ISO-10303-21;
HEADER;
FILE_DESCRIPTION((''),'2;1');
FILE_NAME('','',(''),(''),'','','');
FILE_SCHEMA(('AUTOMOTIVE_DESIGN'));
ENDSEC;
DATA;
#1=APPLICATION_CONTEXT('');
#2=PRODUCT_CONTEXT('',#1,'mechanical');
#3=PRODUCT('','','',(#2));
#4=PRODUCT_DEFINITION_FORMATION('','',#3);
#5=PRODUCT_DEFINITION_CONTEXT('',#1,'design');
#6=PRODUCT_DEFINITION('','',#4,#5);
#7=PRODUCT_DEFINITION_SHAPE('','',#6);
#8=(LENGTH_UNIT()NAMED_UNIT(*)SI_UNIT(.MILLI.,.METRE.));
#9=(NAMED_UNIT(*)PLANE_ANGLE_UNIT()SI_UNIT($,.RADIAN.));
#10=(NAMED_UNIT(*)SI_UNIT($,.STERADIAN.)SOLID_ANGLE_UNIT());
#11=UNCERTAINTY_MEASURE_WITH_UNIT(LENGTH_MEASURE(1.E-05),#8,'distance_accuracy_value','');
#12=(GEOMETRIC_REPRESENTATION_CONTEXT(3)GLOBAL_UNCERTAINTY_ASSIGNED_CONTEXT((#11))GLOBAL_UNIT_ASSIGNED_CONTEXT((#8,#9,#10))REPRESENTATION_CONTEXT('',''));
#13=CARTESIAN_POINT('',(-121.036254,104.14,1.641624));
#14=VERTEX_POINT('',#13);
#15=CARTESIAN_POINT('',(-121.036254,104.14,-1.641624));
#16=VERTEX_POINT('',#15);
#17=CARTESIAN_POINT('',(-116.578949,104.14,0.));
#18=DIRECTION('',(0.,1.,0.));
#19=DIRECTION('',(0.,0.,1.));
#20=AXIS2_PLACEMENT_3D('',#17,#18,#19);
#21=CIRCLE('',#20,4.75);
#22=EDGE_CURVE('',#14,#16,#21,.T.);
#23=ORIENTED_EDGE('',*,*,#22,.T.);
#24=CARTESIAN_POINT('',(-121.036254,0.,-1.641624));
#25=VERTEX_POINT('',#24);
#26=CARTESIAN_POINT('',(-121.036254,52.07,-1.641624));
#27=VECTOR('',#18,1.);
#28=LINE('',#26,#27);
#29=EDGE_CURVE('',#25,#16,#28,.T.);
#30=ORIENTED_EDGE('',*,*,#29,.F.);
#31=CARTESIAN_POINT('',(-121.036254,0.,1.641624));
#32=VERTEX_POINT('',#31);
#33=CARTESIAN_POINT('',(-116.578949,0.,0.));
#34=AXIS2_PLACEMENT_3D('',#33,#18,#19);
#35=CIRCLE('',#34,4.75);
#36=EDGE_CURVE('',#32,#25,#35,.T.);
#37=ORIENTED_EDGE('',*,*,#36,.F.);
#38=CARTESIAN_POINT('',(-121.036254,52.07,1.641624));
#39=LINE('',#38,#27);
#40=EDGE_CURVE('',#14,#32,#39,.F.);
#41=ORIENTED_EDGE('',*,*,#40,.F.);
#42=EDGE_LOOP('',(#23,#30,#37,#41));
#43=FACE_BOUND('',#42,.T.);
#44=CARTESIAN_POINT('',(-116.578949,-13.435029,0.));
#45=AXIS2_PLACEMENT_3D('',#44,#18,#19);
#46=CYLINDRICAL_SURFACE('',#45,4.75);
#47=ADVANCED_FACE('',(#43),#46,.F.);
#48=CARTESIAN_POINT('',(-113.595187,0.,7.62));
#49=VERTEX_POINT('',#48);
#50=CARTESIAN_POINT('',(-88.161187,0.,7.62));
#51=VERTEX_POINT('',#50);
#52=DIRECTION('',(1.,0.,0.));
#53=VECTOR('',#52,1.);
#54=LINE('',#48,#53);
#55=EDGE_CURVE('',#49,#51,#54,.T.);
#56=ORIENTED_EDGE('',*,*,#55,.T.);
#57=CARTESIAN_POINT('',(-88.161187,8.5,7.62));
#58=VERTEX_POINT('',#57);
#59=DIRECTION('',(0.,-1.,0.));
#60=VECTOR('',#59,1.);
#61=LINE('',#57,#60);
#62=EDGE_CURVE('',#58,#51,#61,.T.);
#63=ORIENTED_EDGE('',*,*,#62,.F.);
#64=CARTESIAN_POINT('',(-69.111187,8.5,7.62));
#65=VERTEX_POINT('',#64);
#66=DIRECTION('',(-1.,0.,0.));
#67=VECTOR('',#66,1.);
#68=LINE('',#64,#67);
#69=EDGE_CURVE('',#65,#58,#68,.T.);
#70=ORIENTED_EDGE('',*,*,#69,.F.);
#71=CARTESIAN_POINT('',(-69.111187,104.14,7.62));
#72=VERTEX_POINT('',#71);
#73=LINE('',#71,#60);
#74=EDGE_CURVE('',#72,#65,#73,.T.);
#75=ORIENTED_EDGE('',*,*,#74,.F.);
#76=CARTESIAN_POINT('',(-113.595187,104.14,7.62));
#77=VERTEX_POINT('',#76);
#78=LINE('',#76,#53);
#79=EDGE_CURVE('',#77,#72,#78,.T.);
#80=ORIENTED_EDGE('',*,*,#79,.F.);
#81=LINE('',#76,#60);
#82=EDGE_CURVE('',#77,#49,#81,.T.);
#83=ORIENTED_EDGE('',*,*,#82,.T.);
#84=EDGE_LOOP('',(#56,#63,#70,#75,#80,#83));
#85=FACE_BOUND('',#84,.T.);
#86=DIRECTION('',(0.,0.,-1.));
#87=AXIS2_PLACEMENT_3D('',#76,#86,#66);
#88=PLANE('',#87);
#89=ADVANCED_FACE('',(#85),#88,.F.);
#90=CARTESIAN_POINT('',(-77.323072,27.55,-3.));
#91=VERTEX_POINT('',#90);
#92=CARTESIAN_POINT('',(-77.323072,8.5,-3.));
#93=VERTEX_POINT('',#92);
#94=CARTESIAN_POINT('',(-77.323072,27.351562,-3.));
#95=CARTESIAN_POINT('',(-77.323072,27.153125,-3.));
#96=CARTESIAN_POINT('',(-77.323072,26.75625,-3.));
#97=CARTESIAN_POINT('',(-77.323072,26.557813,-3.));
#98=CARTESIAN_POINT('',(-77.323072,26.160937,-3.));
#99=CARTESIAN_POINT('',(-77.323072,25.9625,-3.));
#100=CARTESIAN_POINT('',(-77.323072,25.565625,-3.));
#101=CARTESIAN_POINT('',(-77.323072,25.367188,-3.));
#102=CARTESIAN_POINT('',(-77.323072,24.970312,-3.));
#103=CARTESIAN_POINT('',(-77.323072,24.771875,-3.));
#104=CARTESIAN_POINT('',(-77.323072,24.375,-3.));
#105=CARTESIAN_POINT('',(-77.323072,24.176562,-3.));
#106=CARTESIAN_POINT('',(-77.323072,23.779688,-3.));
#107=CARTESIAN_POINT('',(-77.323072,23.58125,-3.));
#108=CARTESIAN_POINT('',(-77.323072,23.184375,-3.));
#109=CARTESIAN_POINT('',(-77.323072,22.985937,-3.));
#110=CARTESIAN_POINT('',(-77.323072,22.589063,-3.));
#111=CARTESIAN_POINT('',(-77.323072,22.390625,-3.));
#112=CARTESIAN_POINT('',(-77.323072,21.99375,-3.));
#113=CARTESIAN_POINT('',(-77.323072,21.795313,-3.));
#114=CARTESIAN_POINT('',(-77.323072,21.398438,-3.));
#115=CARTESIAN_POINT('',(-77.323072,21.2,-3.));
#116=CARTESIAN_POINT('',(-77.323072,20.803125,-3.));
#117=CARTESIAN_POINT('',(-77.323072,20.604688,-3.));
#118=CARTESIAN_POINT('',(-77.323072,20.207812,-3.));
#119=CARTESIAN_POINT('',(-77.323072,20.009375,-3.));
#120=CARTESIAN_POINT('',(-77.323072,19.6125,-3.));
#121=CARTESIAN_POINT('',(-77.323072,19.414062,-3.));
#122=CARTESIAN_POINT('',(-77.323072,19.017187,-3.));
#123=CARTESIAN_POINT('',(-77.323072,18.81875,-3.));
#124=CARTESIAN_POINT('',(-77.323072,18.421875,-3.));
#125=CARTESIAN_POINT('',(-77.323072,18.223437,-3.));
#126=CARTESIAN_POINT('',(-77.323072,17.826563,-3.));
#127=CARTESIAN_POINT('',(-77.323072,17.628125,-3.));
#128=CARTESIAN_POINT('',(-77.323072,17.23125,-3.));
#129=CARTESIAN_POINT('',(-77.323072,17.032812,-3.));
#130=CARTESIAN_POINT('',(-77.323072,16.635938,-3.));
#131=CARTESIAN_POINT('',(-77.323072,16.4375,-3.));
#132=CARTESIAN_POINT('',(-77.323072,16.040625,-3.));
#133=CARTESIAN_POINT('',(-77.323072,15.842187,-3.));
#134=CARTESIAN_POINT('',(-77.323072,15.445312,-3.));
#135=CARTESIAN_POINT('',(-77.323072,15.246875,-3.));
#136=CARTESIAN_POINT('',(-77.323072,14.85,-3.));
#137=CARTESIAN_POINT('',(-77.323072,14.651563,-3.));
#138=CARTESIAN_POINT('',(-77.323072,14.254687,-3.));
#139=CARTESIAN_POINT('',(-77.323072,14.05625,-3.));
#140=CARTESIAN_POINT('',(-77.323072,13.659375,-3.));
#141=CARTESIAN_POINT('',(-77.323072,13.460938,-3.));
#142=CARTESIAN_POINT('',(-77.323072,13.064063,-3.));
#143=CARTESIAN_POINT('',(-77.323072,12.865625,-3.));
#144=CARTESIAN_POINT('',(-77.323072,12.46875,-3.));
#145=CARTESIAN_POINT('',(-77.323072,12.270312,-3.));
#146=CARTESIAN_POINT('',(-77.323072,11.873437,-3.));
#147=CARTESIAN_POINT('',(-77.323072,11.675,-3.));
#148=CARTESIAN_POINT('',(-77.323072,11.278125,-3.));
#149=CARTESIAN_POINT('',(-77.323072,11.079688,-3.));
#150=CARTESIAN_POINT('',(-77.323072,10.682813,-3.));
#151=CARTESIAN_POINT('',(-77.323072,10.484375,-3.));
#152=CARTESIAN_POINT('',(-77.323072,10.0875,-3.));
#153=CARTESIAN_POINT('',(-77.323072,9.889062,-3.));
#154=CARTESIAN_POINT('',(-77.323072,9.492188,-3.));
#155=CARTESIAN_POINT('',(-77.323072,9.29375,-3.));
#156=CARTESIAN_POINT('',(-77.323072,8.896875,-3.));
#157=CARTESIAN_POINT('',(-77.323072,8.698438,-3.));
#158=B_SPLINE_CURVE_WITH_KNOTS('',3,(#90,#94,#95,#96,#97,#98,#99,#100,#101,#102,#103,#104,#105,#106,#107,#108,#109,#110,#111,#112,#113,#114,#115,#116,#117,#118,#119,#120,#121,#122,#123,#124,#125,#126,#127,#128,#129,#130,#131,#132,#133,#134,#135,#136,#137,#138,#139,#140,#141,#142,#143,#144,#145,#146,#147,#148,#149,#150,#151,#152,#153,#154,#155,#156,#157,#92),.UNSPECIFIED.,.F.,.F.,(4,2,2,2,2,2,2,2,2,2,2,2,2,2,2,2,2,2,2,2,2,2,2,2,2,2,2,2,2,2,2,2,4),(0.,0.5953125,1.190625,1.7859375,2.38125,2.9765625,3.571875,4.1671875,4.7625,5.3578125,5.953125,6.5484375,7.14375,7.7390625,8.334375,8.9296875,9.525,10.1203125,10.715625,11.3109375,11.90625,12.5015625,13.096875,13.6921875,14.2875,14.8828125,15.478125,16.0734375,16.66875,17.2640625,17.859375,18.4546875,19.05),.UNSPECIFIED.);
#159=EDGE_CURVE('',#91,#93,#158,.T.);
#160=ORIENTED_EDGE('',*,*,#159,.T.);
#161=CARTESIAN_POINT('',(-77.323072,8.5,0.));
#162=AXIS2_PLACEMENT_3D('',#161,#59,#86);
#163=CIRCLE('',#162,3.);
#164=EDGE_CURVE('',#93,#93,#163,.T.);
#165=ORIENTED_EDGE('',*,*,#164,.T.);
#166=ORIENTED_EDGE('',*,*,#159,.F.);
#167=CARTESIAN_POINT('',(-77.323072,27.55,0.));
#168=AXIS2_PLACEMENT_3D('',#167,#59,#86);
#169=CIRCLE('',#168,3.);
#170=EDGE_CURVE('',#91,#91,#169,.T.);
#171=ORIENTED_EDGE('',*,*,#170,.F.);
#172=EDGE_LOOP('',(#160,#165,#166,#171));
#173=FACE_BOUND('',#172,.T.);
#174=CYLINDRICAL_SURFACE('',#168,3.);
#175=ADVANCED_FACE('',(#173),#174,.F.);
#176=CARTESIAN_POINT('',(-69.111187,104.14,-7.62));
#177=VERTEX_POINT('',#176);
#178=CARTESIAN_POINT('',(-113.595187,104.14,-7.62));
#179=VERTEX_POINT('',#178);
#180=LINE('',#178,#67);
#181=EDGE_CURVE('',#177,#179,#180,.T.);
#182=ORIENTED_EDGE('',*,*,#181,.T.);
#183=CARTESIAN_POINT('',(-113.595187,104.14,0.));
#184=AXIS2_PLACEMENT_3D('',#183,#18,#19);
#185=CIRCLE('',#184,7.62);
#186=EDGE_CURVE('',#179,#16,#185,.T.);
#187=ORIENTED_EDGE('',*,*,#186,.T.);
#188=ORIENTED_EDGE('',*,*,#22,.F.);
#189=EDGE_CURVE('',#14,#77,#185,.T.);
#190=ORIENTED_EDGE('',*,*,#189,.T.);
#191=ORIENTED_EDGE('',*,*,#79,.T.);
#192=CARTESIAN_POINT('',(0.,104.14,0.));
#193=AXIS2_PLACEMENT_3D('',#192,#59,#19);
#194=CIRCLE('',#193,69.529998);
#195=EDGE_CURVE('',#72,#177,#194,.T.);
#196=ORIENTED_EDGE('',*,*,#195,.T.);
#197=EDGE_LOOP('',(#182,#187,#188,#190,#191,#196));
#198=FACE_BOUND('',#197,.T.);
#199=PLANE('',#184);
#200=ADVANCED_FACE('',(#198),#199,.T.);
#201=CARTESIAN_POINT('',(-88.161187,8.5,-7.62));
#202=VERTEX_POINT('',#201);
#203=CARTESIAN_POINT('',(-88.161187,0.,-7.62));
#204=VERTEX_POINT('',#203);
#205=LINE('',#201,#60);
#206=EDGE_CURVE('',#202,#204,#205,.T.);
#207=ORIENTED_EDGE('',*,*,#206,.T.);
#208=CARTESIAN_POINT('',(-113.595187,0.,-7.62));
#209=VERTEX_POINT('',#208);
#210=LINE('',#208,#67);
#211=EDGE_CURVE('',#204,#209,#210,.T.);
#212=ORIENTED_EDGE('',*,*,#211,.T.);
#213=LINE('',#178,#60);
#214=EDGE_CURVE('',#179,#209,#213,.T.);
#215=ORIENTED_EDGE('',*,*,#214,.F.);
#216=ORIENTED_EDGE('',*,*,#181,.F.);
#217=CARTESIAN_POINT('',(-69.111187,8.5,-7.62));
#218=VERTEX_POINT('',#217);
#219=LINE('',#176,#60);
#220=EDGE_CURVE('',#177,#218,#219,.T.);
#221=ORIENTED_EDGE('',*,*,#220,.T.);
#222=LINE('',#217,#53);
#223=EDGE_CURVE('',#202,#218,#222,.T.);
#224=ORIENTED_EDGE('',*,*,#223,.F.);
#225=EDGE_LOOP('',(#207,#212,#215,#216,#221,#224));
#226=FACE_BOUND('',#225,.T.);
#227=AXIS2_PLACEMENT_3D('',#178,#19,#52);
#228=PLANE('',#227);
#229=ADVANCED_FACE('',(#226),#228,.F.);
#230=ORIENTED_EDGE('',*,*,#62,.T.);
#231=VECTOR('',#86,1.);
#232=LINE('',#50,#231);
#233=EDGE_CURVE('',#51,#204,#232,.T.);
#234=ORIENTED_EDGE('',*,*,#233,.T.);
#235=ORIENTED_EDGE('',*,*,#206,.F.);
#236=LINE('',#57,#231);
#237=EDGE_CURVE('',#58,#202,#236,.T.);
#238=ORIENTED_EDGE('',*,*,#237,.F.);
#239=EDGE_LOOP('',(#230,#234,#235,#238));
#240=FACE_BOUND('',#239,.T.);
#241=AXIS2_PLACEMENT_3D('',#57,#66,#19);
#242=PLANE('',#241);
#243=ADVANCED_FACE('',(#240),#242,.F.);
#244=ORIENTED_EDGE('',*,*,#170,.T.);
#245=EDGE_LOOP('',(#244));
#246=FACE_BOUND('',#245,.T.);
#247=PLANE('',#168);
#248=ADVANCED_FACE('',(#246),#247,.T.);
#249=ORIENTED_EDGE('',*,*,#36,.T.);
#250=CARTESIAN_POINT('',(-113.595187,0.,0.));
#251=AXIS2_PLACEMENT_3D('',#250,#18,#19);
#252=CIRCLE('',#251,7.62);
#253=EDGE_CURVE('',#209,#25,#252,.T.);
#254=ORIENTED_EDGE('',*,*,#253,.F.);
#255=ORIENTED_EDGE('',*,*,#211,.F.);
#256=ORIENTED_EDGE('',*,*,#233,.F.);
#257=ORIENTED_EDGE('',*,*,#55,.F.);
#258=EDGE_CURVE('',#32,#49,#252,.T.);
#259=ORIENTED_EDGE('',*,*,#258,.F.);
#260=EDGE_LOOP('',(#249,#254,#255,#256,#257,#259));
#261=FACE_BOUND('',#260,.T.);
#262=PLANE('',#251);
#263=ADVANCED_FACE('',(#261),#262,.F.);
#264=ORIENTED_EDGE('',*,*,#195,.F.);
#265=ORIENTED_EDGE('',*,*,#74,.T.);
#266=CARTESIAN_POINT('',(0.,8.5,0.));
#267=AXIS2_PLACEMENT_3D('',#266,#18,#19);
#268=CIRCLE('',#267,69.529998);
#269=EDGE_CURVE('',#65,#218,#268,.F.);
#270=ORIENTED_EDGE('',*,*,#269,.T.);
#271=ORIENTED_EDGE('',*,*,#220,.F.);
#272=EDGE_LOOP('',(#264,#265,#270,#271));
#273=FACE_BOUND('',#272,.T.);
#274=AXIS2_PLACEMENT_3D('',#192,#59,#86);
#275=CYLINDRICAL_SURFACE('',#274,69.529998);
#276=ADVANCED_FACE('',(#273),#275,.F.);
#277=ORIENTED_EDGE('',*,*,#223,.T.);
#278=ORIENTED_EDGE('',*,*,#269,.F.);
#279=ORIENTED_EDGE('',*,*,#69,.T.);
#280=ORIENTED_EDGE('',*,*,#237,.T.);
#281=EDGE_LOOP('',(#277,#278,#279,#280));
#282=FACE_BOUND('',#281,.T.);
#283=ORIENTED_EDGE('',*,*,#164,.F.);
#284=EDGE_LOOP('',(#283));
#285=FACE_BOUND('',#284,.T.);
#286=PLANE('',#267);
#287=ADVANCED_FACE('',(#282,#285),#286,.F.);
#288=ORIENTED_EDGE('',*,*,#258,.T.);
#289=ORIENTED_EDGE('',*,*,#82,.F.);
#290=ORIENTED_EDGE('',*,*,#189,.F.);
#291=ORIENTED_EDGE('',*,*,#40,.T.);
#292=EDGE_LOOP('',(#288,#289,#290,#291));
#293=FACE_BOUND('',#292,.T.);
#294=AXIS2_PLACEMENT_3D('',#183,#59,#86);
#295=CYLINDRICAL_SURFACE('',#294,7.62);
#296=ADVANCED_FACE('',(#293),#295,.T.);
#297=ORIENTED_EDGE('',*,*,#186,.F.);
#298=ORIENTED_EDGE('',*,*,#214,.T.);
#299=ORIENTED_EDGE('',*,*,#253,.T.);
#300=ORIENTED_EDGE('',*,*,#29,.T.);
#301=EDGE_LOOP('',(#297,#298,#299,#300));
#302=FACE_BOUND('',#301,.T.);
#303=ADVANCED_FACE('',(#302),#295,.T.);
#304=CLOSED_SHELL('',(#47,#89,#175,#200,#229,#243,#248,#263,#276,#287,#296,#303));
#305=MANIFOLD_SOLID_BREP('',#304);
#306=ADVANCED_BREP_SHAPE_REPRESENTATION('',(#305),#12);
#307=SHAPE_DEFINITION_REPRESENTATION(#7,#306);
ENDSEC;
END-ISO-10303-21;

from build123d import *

# Parameters (mm, degrees)
BOSS_EXTRUDE1_DEPTH = 104.14
SKETCH3_R           = 4.75
CUT_EXTRUDE4_DEPTH  = 104.14
SKETCH4_W           = 19.05
SKETCH4_H           = 15.24
CUT_EXTRUDE5_DEPTH  = 8.5
SKETCH5_R           = 3
CUT_EXTRUDE6_DEPTH  = 19.05


with BuildPart() as part:
    # Sketch1 → Boss-Extrude1 (new body)
    with BuildSketch(Plane(origin=(0, 0, 0), x_dir=(1, 0, 0), z_dir=(0, 1, 0))):
        with BuildLine():
            Line((-113.595187486, 7.62), (-69.111187486, 7.62))
            ThreePointArc((-69.111187486, 7.62), (-69.5299981, 0), (-69.111187486, -7.62))
            Line((-69.111187486, -7.62), (-113.595187486, -7.62))
            ThreePointArc((-113.595187486, -7.62), (-121.215187486, 0), (-113.595187486, 7.62))
        make_face()
    extrude(amount=BOSS_EXTRUDE1_DEPTH)

    # Sketch3 → Cut-Extrude4 (cut)
    with BuildSketch(Plane(origin=(0, 104.14, 0), x_dir=(1, 0, 0), z_dir=(0, 1, 0))):
        with Locations((-116.578948711, 0)):
            Circle(SKETCH3_R)
    extrude(amount=-CUT_EXTRUDE4_DEPTH, mode=Mode.SUBTRACT)

    # Sketch4 → Cut-Extrude5 (cut)
    with BuildSketch(Plane.XZ):
        with Locations((-78.636187486, 0)):
            Rectangle(SKETCH4_W, SKETCH4_H)
    extrude(amount=-CUT_EXTRUDE5_DEPTH, mode=Mode.SUBTRACT)

    # Sketch5 → Cut-Extrude6 (cut)
    with BuildSketch(Plane.XZ.offset(-8.5)):
        with Locations(Location((-77.323071778, 0, 0), (0, 0, 270))):
            Circle(SKETCH5_R)
    extrude(amount=-CUT_EXTRUDE6_DEPTH, mode=Mode.SUBTRACT)


solid = part.part
